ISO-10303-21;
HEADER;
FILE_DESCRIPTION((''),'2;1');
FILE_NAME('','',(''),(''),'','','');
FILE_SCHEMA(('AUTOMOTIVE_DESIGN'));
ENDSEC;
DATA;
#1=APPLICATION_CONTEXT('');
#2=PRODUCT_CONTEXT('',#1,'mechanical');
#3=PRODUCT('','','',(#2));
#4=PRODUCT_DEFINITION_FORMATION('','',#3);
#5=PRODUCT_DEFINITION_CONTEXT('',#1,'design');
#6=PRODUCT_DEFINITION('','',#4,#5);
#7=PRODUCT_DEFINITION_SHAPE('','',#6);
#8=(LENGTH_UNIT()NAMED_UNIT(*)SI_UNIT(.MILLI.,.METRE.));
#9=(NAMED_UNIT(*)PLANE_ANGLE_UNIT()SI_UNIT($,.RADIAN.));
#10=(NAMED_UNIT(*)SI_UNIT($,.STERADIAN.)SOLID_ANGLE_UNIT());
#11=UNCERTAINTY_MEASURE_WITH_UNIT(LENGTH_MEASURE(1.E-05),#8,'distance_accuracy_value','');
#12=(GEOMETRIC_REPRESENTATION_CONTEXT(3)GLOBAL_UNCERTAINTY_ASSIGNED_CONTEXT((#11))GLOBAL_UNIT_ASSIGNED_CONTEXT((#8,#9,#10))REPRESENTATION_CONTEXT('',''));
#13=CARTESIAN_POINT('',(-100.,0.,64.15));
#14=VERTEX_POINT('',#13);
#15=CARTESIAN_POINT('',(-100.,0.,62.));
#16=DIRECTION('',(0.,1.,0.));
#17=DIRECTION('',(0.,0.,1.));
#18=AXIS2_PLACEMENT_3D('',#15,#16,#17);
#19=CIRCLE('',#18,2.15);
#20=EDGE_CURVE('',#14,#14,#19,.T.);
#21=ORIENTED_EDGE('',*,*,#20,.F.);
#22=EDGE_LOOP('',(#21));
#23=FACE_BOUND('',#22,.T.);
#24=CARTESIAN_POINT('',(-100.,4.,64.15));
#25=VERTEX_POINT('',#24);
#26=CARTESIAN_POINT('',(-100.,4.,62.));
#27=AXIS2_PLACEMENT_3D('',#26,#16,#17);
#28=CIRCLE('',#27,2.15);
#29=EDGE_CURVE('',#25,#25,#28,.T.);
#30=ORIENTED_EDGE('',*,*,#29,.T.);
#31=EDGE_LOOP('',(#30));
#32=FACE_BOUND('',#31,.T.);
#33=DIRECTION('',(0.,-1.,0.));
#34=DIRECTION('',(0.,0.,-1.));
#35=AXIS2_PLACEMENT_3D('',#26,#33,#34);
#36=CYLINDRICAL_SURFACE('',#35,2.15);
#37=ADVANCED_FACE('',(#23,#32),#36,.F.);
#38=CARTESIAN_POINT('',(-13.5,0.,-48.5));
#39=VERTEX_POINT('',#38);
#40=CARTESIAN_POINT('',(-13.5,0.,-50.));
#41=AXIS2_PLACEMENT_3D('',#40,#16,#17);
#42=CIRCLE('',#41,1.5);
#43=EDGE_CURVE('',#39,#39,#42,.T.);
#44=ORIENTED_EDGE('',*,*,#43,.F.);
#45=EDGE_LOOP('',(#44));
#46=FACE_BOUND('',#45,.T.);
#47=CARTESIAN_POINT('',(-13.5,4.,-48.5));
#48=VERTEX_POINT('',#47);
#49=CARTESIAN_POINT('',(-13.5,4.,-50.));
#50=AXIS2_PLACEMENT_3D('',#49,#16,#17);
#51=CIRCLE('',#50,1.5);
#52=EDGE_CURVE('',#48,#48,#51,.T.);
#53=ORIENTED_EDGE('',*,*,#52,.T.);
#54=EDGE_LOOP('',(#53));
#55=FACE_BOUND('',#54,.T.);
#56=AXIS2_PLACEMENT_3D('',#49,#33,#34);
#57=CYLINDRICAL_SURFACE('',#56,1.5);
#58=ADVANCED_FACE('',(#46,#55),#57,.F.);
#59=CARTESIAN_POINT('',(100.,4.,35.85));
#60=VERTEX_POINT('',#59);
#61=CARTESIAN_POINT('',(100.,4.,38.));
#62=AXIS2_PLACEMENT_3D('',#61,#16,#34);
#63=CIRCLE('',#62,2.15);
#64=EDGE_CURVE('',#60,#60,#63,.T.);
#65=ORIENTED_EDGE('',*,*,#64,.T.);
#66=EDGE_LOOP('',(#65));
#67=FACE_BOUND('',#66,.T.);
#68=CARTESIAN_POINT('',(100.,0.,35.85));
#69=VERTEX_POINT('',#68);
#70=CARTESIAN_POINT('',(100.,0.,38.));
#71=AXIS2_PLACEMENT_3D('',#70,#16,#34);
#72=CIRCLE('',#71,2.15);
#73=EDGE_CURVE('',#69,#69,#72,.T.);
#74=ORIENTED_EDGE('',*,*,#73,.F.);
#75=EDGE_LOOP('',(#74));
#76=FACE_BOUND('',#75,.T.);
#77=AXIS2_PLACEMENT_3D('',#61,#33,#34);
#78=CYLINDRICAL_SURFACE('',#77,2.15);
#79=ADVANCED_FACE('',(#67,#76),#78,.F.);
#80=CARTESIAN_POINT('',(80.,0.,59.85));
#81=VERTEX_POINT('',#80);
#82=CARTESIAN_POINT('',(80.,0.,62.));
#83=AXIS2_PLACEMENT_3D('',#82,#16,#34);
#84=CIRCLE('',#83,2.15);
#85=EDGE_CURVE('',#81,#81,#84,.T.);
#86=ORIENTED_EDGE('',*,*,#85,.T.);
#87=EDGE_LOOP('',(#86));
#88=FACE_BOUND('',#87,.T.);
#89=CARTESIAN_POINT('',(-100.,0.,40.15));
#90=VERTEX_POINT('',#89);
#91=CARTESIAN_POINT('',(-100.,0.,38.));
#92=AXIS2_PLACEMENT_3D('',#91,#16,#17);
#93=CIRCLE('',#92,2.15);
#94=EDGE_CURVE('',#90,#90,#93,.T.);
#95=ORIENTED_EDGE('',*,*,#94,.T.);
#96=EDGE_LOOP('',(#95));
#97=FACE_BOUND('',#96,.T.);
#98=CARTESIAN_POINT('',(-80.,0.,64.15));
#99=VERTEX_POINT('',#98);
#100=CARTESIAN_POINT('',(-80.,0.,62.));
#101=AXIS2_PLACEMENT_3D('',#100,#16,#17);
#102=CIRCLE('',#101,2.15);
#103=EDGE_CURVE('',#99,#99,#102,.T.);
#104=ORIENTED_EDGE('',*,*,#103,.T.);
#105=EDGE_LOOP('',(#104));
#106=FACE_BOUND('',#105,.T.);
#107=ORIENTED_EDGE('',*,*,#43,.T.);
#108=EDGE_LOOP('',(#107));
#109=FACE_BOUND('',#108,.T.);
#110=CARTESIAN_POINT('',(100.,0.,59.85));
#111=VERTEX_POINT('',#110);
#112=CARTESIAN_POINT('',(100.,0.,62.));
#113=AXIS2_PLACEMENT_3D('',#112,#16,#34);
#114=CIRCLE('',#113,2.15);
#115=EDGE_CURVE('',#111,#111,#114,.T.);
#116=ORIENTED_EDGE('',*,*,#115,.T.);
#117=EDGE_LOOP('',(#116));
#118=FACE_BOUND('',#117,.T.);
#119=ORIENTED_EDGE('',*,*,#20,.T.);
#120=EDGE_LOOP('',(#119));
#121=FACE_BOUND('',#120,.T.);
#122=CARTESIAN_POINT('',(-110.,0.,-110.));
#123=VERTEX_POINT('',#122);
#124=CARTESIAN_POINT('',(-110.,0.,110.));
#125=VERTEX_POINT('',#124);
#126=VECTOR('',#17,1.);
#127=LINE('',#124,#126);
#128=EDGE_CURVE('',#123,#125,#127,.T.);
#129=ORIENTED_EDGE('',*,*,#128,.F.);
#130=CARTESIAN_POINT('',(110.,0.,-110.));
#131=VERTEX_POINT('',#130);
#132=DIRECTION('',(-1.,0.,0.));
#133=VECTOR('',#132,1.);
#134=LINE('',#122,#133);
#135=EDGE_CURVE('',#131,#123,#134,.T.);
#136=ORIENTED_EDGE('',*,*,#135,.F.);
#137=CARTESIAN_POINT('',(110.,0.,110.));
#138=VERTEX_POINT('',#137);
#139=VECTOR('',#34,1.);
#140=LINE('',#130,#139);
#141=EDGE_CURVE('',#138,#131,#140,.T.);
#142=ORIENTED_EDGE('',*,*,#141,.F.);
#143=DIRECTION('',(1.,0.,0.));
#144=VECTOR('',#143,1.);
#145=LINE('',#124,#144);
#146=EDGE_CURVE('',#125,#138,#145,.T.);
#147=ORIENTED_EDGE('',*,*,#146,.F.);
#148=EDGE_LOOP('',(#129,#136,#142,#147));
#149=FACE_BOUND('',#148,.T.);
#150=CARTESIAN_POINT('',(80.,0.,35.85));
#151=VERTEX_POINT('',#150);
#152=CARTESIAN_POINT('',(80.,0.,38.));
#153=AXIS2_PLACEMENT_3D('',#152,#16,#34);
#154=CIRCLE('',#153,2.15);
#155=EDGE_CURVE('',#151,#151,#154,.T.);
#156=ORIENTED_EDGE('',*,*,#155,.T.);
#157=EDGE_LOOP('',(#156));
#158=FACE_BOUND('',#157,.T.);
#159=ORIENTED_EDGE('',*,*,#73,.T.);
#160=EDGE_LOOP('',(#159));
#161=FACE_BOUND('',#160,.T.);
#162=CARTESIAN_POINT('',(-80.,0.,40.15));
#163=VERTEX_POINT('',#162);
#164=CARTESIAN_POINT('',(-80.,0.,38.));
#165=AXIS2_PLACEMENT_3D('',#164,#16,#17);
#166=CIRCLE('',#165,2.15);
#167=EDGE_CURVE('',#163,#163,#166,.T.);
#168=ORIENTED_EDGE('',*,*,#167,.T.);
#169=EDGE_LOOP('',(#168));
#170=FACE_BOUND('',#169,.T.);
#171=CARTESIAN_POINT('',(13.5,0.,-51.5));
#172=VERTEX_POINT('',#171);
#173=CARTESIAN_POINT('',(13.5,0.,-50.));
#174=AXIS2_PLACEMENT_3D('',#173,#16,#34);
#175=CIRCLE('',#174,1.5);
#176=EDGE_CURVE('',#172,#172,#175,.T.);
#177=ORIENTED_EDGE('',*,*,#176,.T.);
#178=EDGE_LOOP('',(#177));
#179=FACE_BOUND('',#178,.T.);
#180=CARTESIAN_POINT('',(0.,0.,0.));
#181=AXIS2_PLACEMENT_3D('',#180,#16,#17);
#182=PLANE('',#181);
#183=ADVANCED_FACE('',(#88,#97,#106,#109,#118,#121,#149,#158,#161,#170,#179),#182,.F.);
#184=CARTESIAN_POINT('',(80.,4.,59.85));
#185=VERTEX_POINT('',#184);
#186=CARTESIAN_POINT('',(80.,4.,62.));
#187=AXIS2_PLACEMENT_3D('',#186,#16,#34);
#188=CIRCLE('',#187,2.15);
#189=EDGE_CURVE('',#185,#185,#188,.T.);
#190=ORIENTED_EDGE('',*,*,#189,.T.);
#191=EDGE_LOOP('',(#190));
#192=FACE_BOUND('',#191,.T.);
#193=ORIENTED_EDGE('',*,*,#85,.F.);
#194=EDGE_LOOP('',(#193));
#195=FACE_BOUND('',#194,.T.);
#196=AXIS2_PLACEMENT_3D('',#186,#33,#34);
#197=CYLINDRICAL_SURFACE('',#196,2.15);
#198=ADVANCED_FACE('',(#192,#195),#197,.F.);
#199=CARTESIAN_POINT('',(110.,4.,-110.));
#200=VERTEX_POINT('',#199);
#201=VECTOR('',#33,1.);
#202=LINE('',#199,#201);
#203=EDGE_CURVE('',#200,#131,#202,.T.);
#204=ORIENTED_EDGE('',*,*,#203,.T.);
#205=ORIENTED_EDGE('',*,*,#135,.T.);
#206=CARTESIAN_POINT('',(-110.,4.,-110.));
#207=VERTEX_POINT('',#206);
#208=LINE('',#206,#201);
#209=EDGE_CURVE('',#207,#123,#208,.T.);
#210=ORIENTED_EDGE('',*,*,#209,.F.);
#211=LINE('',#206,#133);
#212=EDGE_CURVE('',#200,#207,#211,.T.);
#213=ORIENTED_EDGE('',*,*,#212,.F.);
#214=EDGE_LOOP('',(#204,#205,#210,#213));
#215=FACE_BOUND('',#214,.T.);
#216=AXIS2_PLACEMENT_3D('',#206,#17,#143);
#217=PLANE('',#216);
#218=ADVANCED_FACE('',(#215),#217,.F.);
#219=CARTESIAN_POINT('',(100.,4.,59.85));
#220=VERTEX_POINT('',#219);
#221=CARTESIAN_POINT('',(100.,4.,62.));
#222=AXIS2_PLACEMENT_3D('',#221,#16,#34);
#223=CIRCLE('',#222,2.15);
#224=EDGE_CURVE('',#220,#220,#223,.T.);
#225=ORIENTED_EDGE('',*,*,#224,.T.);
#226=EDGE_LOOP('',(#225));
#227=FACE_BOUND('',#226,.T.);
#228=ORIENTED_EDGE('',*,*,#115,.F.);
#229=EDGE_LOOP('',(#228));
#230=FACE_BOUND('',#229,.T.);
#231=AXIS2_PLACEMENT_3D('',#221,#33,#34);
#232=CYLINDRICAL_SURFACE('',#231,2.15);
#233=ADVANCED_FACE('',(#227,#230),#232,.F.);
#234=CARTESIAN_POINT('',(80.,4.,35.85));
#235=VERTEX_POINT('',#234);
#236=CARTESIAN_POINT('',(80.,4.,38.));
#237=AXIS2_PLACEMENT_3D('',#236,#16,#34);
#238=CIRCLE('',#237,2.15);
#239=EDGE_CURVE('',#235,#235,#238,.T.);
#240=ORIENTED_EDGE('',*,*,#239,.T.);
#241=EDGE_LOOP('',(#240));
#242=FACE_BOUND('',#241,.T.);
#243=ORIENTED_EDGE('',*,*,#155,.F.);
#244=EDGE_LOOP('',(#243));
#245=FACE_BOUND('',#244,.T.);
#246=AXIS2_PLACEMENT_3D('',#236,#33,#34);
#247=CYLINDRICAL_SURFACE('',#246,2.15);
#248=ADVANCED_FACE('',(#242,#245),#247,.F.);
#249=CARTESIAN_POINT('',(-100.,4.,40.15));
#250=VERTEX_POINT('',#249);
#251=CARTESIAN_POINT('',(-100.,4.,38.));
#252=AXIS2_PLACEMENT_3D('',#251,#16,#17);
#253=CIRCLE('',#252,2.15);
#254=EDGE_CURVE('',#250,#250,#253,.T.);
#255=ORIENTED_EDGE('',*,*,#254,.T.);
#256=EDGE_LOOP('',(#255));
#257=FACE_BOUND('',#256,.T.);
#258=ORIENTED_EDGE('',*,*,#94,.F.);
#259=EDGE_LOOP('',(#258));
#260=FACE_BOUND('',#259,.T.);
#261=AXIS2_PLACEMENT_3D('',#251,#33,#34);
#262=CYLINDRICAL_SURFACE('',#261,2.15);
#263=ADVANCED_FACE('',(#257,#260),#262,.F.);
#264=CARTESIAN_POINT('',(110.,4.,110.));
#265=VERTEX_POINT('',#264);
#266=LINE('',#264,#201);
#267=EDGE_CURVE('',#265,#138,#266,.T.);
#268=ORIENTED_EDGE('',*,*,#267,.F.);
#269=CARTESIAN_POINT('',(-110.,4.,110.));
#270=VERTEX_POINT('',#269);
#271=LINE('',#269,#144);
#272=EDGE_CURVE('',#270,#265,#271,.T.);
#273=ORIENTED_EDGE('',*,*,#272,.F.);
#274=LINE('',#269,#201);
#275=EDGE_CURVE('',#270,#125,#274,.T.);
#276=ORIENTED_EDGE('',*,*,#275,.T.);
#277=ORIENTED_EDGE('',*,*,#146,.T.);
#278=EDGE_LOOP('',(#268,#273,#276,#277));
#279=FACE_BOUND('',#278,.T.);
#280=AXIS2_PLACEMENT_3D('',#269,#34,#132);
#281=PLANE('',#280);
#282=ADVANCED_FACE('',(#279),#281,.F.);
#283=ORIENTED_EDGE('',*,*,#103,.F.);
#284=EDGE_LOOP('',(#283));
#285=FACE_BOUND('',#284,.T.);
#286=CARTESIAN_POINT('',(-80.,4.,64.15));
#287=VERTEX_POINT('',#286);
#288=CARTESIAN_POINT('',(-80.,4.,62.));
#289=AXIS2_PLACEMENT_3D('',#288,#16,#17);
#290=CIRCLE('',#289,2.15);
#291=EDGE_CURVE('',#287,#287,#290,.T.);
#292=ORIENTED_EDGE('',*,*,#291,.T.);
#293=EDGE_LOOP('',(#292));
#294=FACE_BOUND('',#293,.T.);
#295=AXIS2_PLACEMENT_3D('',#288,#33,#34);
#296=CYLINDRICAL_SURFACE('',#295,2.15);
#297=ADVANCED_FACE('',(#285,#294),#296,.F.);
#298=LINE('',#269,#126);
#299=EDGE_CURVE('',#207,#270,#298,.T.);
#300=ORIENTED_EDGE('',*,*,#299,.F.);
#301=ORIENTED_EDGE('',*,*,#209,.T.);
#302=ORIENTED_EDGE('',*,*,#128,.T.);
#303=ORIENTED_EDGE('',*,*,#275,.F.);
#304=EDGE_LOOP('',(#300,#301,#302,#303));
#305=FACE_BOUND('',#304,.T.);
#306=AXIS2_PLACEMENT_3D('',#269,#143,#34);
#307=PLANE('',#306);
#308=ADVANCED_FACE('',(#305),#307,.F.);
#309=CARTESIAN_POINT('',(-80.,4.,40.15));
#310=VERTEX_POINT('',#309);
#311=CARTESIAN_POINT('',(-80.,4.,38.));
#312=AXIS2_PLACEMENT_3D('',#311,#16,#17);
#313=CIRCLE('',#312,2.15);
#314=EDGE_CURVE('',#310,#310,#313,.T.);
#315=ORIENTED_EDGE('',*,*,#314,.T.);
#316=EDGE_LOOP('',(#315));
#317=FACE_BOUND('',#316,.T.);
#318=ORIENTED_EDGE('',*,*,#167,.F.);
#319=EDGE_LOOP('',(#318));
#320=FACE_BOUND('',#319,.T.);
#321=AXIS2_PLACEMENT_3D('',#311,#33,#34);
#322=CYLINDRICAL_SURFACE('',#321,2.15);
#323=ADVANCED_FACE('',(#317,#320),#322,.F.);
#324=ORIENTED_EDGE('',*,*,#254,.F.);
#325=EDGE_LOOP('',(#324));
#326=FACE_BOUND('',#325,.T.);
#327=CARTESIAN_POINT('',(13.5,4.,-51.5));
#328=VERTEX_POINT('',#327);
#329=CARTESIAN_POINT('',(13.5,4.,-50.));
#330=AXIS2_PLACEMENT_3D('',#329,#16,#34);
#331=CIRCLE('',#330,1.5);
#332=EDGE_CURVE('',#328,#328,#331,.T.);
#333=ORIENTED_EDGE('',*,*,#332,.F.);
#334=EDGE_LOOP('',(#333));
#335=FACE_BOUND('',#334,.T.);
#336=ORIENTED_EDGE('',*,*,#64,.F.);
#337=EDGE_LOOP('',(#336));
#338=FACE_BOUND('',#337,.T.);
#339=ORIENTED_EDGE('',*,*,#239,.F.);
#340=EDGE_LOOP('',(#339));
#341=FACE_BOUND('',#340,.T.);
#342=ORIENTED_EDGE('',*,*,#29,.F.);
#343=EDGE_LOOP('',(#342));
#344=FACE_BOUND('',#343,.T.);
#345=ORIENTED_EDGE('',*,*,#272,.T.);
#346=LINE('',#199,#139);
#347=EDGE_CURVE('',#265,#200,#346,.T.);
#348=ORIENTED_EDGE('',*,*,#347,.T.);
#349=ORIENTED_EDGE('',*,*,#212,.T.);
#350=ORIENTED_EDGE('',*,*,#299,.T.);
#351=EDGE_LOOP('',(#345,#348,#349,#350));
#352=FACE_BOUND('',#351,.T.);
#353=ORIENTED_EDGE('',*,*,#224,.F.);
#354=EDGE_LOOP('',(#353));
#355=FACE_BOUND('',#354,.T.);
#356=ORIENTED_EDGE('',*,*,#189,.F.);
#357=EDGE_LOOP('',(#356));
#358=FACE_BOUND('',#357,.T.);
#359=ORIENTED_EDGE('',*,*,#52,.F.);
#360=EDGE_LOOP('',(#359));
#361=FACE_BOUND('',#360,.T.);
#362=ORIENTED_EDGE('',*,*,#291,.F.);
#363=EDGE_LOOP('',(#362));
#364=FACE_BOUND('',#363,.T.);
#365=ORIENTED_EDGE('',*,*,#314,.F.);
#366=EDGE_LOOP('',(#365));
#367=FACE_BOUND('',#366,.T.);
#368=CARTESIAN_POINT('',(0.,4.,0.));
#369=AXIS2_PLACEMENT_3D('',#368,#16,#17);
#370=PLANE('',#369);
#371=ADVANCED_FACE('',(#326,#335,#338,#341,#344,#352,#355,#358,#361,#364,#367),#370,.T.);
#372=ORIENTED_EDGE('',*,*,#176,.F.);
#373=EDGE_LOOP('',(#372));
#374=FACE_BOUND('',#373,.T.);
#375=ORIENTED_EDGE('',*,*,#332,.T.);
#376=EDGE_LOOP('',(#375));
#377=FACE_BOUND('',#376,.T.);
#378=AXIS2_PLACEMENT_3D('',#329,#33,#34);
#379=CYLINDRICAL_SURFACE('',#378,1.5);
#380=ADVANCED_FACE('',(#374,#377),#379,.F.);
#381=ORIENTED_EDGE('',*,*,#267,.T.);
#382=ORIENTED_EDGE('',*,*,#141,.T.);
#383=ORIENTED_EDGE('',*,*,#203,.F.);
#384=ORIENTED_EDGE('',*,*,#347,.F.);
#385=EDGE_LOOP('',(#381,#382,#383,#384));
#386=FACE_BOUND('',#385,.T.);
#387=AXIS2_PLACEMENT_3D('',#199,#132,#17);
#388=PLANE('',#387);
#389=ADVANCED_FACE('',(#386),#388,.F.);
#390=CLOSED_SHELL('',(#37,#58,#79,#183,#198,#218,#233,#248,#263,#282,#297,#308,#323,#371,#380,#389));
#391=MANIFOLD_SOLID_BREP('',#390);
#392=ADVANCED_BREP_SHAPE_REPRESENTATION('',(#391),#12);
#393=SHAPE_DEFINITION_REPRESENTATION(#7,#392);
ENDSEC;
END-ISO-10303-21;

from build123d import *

# Parameters (mm, degrees)
SKETCH2_W           = 220
SKETCH2_H           = 220
SKETCH2_R           = 1.5
SKETCH2_R_2         = 2.15
BOSS_EXTRUDE1_DEPTH = 4


with BuildPart() as part:
    # Sketch2 → Boss-Extrude1 (new body)
    with BuildSketch(Plane(origin=(0, 0, 0), x_dir=(1, 0, 0), z_dir=(0, 1, 0))):
        Rectangle(SKETCH2_W, SKETCH2_H)
        with Locations((-13.5, 50)):
            Circle(SKETCH2_R, mode=Mode.SUBTRACT)
        with Locations((-100, -38)):
            Circle(SKETCH2_R_2, mode=Mode.SUBTRACT)
        with Locations((-80, -38)):
            Circle(SKETCH2_R_2, mode=Mode.SUBTRACT)
        with Locations((-80, -62)):
            Circle(SKETCH2_R_2, mode=Mode.SUBTRACT)
        with Locations((-100, -62)):
            Circle(SKETCH2_R_2, mode=Mode.SUBTRACT)
        with Locations((100, -62)):
            Circle(SKETCH2_R_2, mode=Mode.SUBTRACT)
        with Locations((80, -62)):
            Circle(SKETCH2_R_2, mode=Mode.SUBTRACT)
        with Locations((80, -38)):
            Circle(SKETCH2_R_2, mode=Mode.SUBTRACT)
        with Locations((100, -38)):
            Circle(SKETCH2_R_2, mode=Mode.SUBTRACT)
        with Locations((13.5, 50)):
            Circle(SKETCH2_R, mode=Mode.SUBTRACT)
    extrude(amount=BOSS_EXTRUDE1_DEPTH)


solid = part.part
